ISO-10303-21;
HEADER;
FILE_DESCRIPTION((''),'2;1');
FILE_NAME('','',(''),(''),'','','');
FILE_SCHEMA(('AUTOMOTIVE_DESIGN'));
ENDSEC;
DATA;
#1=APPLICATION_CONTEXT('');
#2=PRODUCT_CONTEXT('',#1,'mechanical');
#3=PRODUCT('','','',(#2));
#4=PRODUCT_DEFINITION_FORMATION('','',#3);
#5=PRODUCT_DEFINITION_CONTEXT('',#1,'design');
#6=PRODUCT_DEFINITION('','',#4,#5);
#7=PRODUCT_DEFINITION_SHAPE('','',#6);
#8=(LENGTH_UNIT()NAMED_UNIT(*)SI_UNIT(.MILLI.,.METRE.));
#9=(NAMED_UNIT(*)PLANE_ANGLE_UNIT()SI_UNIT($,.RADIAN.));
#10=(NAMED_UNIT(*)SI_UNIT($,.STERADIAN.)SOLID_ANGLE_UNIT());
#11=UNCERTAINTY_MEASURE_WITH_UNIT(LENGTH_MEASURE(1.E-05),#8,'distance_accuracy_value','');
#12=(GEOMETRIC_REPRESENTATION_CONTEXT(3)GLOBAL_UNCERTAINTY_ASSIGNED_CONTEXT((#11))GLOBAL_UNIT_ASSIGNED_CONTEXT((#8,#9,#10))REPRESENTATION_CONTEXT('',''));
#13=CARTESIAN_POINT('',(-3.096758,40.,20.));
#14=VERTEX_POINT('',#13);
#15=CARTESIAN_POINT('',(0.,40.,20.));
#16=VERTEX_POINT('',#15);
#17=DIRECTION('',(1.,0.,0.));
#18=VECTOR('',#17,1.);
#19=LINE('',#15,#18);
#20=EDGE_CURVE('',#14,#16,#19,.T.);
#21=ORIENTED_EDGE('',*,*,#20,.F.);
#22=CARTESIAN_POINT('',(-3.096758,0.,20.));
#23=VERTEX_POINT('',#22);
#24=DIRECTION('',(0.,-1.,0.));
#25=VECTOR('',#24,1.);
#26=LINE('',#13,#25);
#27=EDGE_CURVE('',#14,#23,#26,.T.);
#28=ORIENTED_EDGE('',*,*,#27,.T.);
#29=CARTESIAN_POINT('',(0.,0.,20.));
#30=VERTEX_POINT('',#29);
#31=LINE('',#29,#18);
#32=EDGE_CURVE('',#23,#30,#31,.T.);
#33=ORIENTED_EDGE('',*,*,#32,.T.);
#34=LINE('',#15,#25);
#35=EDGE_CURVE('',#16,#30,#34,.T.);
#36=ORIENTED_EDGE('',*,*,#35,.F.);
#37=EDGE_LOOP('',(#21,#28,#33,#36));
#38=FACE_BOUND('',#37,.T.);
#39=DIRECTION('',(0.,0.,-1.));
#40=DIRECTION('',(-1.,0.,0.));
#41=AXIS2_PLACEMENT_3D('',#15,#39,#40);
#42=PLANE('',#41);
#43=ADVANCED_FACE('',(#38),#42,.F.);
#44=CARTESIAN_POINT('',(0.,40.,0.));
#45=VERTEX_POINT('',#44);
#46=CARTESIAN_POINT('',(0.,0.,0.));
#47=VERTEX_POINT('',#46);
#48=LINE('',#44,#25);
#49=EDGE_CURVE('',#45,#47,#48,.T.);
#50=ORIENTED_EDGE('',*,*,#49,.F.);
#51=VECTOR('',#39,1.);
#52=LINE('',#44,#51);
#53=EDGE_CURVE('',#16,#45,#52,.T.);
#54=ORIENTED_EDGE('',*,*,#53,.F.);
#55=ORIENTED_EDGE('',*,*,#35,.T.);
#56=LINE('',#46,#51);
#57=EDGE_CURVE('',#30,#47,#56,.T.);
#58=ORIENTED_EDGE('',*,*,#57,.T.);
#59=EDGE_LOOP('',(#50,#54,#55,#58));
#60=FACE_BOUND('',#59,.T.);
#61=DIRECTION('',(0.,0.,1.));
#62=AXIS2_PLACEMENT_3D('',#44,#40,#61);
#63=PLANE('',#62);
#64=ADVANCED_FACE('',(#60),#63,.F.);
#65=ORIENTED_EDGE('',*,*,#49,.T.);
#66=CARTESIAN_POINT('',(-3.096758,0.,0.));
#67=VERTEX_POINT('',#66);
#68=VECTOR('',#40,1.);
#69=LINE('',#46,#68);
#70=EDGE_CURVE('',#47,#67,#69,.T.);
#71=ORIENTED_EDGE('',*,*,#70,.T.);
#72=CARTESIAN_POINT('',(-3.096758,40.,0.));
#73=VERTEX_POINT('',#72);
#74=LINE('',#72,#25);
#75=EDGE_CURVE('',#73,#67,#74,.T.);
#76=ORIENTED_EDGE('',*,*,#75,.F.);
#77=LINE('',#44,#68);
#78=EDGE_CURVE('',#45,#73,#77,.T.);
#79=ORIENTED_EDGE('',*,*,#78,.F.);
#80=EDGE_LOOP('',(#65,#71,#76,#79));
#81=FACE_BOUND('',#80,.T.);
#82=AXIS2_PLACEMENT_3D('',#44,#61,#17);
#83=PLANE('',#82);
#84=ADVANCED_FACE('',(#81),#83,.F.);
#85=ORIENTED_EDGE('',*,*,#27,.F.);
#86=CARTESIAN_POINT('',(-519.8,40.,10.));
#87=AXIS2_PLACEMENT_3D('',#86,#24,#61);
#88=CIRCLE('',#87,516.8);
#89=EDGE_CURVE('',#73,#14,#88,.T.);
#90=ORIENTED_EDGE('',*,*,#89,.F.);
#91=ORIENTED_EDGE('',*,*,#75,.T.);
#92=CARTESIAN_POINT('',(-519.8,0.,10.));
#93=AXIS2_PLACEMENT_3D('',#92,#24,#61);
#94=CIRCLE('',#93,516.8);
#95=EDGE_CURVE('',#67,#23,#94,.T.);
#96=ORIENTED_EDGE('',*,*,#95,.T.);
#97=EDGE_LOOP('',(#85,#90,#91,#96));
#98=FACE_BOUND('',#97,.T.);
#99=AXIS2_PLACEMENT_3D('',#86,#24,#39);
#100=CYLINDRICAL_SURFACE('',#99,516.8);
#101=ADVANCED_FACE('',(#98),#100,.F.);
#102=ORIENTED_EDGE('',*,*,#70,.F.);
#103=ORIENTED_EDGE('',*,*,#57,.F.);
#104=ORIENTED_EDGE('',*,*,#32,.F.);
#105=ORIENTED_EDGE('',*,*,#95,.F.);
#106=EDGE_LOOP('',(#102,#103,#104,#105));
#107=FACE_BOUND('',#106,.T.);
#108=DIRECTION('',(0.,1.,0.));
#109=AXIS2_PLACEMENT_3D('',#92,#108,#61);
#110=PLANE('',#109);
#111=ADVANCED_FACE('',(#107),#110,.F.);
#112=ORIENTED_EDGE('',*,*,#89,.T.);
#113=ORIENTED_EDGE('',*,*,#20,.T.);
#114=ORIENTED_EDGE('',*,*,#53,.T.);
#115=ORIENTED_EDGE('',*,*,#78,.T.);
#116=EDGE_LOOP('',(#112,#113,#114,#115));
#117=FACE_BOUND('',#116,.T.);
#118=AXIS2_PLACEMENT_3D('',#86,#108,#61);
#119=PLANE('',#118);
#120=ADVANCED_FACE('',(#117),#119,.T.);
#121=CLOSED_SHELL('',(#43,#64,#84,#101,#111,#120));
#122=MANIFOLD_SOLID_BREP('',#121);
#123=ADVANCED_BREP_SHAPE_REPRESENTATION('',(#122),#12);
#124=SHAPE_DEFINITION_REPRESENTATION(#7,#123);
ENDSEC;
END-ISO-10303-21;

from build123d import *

# Parameters (mm, degrees)
EXTRUDE_1_DEPTH = 40


with BuildPart() as part:
    # 草图1 → 凸台-拉伸1 (new body)
    with BuildSketch(Plane(origin=(0, 0, 0), x_dir=(1, 0, 0), z_dir=(0, 1, 0))):
        with BuildLine():
            Line((0, 0), (0, -20))
            Line((0, -20), (-3.096758284, -20))
            ThreePointArc((-3.096758284, -20), (-3, -10), (-3.096758284, 0))
            Line((-3.096758284, 0), (0, 0))
        make_face()
    extrude(amount=EXTRUDE_1_DEPTH)


solid = part.part
